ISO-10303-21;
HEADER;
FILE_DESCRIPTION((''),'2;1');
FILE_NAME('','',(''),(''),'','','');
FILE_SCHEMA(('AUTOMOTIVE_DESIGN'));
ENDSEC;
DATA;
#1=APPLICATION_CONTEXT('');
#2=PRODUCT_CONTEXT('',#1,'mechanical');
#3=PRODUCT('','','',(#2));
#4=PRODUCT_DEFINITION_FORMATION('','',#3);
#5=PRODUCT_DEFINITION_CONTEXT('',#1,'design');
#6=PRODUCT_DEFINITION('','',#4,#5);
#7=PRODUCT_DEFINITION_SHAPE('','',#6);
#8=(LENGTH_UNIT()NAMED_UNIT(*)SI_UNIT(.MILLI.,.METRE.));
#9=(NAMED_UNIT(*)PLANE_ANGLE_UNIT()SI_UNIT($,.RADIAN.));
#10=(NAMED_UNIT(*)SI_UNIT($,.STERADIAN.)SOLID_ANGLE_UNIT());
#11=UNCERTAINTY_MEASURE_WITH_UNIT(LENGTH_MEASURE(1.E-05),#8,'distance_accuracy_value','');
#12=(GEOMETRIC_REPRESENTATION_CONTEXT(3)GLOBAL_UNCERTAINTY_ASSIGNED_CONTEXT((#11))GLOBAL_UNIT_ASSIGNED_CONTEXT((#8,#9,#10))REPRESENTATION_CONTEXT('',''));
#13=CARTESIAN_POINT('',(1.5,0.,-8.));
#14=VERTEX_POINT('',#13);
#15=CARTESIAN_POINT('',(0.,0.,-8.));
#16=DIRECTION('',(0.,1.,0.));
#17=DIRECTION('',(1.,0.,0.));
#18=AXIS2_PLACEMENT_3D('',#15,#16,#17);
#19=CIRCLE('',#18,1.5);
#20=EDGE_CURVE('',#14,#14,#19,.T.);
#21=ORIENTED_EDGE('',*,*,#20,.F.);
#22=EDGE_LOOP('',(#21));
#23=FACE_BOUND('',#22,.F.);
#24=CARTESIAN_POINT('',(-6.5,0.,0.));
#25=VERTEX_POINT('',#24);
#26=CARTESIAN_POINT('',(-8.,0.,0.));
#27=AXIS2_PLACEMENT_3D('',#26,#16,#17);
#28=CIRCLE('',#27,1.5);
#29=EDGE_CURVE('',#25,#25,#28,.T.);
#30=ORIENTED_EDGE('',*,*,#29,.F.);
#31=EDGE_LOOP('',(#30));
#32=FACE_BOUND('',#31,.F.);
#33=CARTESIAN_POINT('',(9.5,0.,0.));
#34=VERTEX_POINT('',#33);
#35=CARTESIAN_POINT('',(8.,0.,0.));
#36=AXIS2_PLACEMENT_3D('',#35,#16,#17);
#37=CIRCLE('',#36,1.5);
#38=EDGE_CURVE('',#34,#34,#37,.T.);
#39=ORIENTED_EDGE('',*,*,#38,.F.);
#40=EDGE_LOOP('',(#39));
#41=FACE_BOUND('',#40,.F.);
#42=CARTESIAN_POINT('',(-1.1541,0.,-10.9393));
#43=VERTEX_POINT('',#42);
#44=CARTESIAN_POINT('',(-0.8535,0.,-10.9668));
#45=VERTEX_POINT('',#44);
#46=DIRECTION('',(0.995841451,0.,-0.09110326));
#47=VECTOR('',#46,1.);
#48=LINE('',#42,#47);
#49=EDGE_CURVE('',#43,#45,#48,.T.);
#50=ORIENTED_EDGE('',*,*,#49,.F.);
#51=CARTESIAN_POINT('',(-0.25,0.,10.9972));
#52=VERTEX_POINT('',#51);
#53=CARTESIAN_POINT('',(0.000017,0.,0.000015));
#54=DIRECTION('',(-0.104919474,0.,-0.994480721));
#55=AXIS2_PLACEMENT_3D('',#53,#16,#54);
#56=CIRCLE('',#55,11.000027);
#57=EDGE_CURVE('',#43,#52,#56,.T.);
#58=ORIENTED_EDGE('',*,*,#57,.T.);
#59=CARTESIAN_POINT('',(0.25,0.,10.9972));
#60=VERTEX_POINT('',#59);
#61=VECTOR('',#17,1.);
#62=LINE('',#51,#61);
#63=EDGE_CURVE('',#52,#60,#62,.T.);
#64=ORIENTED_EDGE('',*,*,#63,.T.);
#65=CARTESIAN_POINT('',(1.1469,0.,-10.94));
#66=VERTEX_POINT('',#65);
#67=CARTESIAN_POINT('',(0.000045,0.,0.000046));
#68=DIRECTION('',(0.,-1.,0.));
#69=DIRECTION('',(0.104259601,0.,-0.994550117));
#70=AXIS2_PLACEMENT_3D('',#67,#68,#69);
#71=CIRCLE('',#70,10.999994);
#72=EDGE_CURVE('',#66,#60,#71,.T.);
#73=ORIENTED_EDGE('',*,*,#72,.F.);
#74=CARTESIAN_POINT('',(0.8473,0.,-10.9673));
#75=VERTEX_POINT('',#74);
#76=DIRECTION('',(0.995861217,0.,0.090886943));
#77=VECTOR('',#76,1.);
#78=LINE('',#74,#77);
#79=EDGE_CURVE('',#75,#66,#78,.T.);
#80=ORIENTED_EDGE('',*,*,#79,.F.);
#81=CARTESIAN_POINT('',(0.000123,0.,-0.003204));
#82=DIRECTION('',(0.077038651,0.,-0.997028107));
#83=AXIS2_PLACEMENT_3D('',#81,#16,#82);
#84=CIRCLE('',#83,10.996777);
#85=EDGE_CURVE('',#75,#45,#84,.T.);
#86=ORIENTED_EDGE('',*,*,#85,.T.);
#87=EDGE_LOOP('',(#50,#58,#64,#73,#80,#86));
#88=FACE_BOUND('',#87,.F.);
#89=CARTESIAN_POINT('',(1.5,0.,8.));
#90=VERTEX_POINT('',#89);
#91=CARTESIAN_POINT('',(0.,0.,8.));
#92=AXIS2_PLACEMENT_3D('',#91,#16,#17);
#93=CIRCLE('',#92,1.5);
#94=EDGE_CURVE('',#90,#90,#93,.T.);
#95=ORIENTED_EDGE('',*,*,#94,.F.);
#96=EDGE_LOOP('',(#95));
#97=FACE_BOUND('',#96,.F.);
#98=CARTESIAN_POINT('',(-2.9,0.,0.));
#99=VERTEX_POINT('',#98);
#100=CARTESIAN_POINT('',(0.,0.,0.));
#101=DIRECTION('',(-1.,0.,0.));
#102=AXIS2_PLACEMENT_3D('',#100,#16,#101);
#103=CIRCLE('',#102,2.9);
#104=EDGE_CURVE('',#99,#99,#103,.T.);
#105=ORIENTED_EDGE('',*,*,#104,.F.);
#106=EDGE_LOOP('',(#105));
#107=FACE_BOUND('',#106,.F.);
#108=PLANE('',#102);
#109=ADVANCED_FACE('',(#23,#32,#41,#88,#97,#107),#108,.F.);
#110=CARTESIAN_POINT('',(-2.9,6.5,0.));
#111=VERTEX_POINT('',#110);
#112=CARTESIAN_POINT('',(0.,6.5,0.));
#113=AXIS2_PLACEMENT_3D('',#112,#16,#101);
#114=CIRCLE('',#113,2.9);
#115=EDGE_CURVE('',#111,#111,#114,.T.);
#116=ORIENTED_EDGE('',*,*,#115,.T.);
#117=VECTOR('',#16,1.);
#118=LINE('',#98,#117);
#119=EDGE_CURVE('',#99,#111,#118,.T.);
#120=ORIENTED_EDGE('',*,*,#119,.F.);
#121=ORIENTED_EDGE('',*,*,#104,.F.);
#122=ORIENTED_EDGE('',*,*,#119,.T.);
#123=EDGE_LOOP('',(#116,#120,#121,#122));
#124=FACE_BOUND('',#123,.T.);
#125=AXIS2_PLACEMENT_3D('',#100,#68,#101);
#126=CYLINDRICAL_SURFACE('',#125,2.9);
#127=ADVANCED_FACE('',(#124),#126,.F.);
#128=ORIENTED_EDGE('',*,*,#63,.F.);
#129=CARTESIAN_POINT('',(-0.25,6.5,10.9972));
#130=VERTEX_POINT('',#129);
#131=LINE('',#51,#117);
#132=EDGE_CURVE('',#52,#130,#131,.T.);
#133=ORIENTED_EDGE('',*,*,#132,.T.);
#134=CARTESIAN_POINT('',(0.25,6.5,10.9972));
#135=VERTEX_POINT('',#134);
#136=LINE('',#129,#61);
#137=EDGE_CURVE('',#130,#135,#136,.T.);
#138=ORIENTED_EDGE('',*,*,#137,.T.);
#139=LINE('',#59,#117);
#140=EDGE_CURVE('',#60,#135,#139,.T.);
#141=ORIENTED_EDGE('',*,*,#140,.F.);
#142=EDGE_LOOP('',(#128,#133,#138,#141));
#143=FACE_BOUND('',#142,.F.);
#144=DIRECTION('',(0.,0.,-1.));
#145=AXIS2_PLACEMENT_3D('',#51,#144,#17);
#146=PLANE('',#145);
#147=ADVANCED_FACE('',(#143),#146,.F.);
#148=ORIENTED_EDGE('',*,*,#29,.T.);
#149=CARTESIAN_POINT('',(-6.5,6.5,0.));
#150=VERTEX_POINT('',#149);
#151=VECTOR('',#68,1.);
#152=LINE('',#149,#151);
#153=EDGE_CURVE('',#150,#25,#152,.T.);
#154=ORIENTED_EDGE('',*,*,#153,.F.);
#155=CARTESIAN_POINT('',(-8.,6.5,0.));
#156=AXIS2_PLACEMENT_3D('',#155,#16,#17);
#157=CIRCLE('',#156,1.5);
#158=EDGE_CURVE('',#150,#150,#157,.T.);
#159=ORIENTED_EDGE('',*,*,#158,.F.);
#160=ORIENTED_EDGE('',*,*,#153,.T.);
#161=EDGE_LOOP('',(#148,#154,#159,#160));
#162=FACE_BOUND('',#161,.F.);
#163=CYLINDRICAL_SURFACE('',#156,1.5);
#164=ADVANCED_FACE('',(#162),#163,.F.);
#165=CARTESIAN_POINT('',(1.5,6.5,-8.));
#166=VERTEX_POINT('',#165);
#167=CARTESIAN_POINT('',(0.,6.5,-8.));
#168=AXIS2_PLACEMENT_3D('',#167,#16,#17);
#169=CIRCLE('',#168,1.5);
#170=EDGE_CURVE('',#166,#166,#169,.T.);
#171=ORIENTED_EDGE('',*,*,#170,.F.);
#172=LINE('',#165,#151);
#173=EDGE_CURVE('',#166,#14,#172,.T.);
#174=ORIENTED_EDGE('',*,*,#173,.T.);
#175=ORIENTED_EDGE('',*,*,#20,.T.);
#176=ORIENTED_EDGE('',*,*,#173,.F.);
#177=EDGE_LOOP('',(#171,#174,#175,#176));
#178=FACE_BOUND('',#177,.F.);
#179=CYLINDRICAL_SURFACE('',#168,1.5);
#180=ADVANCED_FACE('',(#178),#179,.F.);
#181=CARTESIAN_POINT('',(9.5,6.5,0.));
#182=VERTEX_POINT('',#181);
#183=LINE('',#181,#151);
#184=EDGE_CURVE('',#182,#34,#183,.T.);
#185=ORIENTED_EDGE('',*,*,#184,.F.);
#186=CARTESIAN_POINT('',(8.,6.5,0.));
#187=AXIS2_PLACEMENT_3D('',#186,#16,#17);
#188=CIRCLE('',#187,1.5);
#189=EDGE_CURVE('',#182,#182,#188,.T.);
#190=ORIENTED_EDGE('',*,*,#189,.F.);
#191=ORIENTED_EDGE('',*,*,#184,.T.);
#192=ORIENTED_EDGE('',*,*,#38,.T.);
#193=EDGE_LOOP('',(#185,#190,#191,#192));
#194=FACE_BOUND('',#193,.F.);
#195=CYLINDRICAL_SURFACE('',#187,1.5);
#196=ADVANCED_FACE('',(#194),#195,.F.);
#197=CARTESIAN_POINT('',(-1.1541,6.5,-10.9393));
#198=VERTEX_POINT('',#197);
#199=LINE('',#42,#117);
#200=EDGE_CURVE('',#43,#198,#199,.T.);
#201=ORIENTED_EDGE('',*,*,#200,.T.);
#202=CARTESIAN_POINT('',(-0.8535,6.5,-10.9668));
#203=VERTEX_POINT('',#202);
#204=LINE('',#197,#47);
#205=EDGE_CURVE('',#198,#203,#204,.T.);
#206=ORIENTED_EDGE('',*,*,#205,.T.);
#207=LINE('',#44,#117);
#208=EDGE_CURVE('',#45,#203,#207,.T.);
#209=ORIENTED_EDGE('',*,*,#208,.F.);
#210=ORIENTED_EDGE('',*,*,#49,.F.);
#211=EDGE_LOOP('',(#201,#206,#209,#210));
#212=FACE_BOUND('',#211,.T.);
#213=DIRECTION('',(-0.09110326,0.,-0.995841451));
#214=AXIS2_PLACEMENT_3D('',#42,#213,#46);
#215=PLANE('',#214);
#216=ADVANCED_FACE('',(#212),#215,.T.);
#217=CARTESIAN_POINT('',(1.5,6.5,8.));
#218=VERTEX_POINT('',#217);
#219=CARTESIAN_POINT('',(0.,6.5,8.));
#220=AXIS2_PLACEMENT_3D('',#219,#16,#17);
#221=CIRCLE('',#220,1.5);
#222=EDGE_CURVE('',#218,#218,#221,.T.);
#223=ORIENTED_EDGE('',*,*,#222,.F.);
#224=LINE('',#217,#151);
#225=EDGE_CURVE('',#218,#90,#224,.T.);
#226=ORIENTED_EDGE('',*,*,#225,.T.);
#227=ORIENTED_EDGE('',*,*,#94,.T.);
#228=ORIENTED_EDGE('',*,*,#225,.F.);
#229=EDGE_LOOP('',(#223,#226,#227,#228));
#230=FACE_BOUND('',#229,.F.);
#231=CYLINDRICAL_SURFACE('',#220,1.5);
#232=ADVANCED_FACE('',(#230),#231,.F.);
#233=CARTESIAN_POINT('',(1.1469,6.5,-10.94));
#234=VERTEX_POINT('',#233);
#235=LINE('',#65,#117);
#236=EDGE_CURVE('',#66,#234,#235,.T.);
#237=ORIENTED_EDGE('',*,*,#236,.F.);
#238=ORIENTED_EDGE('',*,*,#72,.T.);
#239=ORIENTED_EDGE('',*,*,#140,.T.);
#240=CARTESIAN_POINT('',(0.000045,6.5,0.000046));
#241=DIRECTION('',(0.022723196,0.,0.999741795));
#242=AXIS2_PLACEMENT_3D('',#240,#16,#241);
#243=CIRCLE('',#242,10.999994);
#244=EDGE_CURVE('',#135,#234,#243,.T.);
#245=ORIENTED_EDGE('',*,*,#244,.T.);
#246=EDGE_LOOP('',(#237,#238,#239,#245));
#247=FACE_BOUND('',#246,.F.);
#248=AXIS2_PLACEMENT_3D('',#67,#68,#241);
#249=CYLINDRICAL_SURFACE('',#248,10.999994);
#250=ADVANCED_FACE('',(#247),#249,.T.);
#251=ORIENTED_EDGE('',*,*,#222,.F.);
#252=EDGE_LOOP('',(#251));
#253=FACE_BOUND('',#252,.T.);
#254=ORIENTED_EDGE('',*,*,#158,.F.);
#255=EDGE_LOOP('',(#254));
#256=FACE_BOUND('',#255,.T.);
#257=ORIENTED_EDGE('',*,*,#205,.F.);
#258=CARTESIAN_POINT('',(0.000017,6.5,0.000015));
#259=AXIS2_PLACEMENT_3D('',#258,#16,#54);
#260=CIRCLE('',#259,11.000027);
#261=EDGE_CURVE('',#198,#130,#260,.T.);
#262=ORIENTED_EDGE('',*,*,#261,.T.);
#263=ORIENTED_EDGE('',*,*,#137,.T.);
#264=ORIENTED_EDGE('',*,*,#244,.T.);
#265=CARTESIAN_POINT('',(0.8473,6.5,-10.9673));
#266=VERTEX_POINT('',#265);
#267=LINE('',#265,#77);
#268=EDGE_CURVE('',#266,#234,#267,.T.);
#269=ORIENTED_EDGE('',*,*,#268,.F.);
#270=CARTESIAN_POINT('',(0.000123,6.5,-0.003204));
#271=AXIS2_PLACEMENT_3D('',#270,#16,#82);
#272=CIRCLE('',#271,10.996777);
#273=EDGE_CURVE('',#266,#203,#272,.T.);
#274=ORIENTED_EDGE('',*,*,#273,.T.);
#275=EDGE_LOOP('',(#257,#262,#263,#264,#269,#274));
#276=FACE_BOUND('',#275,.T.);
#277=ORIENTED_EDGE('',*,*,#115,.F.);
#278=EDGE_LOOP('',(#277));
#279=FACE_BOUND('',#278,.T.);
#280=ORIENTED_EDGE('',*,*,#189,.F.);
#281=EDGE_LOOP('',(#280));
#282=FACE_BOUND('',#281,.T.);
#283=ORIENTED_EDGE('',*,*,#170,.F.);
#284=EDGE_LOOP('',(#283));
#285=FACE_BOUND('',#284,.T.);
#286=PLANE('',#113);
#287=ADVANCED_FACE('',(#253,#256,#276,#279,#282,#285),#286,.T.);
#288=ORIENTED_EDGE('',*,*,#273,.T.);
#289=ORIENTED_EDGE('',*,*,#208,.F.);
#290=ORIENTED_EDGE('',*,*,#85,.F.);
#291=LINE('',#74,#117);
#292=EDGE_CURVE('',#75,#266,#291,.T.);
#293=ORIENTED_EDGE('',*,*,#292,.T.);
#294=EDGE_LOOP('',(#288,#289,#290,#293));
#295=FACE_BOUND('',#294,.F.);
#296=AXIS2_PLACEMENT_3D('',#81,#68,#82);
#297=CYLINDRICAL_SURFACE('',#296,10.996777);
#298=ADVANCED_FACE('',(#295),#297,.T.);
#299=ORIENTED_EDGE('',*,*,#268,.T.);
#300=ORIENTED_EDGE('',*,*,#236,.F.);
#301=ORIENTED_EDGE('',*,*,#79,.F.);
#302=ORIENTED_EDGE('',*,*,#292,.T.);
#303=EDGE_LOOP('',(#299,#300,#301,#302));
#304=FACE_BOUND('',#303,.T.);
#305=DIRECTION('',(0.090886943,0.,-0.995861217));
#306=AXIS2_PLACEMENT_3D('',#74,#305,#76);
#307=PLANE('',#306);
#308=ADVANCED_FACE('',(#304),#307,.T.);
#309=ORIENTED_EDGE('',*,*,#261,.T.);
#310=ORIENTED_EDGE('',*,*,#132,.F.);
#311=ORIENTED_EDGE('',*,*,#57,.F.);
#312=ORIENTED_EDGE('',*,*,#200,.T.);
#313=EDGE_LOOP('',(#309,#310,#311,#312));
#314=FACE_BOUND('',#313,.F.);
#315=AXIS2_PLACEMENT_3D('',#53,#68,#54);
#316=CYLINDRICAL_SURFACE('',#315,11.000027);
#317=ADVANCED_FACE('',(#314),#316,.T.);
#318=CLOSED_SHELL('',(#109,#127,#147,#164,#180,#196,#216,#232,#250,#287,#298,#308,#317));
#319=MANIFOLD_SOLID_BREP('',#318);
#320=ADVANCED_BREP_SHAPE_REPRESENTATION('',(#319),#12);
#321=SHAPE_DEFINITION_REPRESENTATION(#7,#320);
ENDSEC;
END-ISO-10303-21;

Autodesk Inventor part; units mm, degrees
ref_plane "YZ Plane" through (0, 0, 0) normal (1, 0, 0) x (0, 1, 0)
ref_plane "XZ Plane" through (0, 0, 0) normal (0, 1, 0) x (-1, 0, 0)
ref_plane "XY Plane" through (0, 0, 0) normal (0, 0, 1) x (1, 0, 0)
sketch "Эскиз1" plane through (0, 0, 0) normal (0, 1, 0) x (-1, 0, 0)
  arc A0 (-0.25, 9.2247) -> (0.25, 9.2247) centre (0, 8) ccw
  line L0 (-0.25, 10.9972) -> (-0.25, 9.2247)
  arc A1 (-0.25, 10.9972) -> (-1.1469, -10.94) centre (0, 0) ccw
  line L1 (-1.1469, -10.6297) -> (-1.1469, -10.94)
  line L2 (-0.8473, -10.6297) -> (-1.1469, -10.6297)
  line L3 (-0.8473, -10.9673) -> (-0.8473, -10.6297)
  arc A2 (-0.8473, -10.9673) -> (0.8535, -10.9668) centre (0, 0) ccw
  line L4 (0.8535, -10.6297) -> (0.8535, -10.9668)
  line L5 (1.1541, -10.6297) -> (0.8535, -10.6297)
  line L6 (1.1541, -10.9393) -> (1.1541, -10.6297)
  arc A3 (1.1541, -10.9393) -> (0.25, 10.9972) centre (0, 0) ccw
  line L7 (0.25, 9.2247) -> (0.25, 10.9972)
  circle A4 centre (8, 0) radius 1.25
  circle A5 centre (0, -8) radius 1.25
  circle A6 centre (-8, 0) radius 1.25
  circle A7 centre (0, -5.5) radius 0.75
  circle A8 centre (4.7631, 2.75) radius 0.75
  circle A9 centre (-4.7631, 2.75) radius 0.75
  circle A10 centre (0, 0) radius 2.9
  arc A11 (0.25, 9.2247) -> (-0.25, 9.2247) centre (0, 8) ccw
  line L8 (0.25, 10.9972) -> (-0.25, 10.9972)
  line L9 (1.1541, -10.9393) -> (0.8535, -10.9668)
  line L10 (-0.8473, -10.9673) -> (-1.1541, -10.9393)
extrude "Выдавливание1" add sketch "Эскиз1" along normal blind 6.5 contours A0 L7 A3 L6 L5 L4 A2 L3 L2 L1 A1 L0 | L0 L8 L7 A11 | L9 L4 L5 L6 | L1 L2 L3 L10 | A7 | A8 | A9
sketch "Эскиз2" plane through (0, 6.5, 0) normal (0, 1, 0) x (1, 0, 0)
  circle A0 centre (0, -8) radius 1.25 projected
  circle A1 centre (0, -8) radius 1.5
  circle A2 centre (-8, 0) radius 1.25 projected
  circle A3 centre (-8, 0) radius 1.5
  circle A4 centre (0, 8) radius 1.25 projected
  circle A5 centre (0, 8) radius 1.5
  circle A6 centre (8, 0) radius 1.25 projected
  circle A7 centre (8, 0) radius 1.5
  point P0 (0, 0)
  dimension "d2" = 3
  dimension "d3" = 3
  dimension "d4" = 3
  dimension "d5" = 3
extrude "Выдавливание2" cut sketch "Эскиз2" against normal blind 10 contours A0 | A1 | A2 | A3 | A4 | A5 | A6 | A7
properties part number "проставка"
